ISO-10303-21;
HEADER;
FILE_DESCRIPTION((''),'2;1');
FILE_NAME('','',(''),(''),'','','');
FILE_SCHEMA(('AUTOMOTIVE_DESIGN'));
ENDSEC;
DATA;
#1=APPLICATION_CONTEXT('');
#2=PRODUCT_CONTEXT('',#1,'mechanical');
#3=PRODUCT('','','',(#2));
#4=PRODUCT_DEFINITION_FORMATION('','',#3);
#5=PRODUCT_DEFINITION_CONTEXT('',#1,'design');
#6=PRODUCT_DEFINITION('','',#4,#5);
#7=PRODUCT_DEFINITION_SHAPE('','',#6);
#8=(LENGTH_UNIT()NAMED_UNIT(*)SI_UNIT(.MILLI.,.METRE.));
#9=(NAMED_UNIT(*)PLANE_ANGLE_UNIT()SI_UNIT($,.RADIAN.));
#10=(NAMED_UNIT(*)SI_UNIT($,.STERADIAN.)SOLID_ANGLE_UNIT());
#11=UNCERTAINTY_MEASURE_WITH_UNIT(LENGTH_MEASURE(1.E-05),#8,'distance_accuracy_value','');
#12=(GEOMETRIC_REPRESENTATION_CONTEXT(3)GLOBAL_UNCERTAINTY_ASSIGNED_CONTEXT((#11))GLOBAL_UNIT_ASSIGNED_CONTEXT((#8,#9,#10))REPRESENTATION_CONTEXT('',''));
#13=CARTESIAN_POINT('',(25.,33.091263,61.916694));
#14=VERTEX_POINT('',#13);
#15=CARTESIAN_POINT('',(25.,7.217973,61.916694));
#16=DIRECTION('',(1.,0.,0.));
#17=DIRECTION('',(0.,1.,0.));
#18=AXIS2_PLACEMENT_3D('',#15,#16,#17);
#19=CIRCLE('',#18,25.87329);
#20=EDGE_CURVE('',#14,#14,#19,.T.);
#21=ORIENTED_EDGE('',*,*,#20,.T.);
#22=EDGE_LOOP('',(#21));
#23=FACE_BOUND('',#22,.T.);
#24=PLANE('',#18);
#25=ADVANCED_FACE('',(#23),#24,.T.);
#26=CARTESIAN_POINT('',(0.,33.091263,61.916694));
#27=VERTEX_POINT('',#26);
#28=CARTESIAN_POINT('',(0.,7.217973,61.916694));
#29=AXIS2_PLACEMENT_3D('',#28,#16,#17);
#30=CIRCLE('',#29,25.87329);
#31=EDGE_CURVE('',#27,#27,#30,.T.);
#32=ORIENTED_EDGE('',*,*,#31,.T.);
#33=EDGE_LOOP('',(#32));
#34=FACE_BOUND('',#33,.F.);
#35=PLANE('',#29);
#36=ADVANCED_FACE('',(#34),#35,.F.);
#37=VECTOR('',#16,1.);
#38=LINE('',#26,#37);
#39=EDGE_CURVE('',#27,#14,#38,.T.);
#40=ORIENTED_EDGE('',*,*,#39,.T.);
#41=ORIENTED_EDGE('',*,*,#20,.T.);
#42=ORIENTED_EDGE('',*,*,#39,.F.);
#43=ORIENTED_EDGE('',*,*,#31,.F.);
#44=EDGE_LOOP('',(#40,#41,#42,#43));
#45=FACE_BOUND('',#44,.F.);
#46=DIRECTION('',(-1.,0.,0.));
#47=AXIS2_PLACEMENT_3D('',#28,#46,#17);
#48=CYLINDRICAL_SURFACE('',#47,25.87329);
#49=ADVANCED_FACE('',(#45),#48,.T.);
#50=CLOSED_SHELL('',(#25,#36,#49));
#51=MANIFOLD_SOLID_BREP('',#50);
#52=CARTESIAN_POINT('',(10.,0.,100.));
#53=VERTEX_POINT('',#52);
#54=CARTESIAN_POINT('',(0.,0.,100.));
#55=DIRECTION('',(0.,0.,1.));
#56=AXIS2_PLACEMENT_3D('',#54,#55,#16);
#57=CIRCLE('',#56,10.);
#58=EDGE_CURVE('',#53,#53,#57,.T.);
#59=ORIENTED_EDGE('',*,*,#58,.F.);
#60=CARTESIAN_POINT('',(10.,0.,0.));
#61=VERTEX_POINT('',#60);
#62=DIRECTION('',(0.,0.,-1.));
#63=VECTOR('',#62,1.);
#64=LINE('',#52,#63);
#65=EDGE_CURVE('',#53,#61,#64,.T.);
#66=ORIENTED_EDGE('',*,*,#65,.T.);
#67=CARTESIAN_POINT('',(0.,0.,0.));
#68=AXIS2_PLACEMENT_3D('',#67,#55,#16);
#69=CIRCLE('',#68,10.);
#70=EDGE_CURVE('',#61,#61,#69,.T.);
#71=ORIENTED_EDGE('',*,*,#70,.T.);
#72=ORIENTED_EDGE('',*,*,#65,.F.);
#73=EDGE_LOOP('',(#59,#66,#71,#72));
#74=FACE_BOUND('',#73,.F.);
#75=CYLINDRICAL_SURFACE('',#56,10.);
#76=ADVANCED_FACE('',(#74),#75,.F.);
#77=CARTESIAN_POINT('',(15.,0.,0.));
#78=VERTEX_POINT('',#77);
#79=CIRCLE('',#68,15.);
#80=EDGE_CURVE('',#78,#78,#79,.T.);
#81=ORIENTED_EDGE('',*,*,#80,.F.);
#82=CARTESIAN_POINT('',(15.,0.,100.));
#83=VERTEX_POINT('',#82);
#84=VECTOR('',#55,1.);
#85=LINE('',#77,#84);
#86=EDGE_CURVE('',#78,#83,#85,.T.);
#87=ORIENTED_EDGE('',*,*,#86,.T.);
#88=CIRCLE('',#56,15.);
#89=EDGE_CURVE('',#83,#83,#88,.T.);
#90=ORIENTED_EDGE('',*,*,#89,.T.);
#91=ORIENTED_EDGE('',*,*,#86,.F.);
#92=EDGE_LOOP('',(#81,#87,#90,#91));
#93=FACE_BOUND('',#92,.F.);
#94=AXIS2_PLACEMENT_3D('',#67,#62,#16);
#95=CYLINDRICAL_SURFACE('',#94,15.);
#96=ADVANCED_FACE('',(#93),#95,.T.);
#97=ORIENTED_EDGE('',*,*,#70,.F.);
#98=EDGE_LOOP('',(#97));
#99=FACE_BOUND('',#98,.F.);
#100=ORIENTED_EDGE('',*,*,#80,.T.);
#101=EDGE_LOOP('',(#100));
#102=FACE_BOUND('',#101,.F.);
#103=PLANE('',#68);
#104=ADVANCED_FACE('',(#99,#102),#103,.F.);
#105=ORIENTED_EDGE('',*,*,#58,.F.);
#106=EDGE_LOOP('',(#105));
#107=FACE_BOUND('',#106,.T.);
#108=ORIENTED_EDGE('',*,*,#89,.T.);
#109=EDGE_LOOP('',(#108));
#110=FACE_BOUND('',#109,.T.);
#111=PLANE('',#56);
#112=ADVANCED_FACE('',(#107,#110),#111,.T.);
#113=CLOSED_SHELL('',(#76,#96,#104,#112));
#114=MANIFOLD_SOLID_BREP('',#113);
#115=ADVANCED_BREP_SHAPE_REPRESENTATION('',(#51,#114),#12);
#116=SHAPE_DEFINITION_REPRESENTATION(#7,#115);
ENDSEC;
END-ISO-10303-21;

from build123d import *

# Parameters (mm, degrees)
F0_R     = 15
F1_DEPTH = 100
F3_R     = 10
F4_DEPTH = 100
F5_R     = 25.87329
F6_DEPTH = 25


with BuildPart() as f1:
    # F0 (on Top) → F1 (new body)
    with BuildSketch(Plane.XY):
        Circle(F0_R)
    extrude(amount=F1_DEPTH)

    # F3 (on face) → F4 (cut, through all)
    with BuildSketch(Plane.XY.offset(100)):
        Circle(F3_R)
    extrude(amount=-F4_DEPTH, mode=Mode.SUBTRACT)


with BuildPart() as f6:
    # F5 (on Right) → F6 (new body)
    with BuildSketch(Plane.YZ):
        with Locations((7.217973, 61.916694)):
            Circle(F5_R)
    extrude(amount=F6_DEPTH)


solid = Compound([f1.part, f6.part])
